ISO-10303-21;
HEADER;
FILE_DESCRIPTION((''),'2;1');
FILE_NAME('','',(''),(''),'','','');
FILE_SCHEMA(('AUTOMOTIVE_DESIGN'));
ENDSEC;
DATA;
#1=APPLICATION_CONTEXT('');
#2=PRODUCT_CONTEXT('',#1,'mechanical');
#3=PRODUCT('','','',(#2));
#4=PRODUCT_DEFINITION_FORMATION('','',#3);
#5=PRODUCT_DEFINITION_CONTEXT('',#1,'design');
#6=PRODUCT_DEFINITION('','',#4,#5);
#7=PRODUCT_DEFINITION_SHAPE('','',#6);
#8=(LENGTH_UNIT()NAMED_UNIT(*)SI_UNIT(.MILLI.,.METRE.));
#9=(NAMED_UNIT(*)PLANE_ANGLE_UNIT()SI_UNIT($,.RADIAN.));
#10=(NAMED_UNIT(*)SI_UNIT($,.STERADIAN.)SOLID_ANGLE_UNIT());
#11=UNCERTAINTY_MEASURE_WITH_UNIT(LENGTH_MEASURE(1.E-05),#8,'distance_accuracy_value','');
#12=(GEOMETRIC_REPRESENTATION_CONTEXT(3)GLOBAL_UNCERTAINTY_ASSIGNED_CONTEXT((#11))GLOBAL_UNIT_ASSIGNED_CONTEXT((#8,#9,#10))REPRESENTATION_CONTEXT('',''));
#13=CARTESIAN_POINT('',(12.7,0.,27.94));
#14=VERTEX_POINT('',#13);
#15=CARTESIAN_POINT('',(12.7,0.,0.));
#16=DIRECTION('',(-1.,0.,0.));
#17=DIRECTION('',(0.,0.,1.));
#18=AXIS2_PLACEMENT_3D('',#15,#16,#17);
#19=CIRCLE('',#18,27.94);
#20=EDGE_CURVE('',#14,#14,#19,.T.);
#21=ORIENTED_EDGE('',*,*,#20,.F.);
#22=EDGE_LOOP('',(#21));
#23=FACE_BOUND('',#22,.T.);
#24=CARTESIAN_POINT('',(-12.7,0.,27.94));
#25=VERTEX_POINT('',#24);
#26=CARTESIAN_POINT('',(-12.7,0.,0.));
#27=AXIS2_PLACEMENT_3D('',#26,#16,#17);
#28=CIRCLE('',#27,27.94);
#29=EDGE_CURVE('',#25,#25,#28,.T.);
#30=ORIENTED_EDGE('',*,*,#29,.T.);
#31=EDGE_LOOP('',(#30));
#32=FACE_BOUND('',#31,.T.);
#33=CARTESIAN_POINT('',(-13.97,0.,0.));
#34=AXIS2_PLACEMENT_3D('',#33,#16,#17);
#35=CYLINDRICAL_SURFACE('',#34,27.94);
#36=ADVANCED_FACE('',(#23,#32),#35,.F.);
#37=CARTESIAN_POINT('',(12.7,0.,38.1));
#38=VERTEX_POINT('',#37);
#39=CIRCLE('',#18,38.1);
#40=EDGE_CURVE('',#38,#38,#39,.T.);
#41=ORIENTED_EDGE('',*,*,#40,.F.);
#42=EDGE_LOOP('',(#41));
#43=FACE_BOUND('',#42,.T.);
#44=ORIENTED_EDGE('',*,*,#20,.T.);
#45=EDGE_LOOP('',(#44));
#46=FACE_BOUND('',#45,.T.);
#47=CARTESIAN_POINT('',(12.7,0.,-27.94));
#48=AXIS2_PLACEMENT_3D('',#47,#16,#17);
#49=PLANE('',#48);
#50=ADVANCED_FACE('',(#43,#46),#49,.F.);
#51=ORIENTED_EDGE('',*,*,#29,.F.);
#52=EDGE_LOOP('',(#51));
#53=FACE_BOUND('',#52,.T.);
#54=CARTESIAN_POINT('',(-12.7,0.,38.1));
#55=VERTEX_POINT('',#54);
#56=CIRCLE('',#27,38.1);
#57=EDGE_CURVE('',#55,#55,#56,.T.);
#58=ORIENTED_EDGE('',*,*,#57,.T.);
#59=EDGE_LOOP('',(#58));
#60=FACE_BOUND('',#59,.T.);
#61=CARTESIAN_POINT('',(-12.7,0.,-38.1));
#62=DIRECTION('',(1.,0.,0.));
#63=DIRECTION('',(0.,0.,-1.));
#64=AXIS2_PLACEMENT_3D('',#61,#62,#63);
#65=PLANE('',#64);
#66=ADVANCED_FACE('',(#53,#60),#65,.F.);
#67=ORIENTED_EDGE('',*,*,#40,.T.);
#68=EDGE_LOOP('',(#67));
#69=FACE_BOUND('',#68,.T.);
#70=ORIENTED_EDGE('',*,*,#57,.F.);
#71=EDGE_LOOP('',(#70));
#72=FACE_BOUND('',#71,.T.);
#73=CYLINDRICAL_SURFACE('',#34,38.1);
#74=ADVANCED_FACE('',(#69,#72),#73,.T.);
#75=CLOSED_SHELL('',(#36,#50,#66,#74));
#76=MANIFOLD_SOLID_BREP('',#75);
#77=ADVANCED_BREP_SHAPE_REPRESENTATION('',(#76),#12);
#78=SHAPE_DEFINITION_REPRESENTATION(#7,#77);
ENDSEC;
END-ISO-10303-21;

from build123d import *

# Parameters (mm, degrees)
SKETCH2_W = 25.4
SKETCH2_H = 10.16


with BuildPart() as part:
    # Sketch2 → Revolve1 (revolve)
    with BuildSketch(Plane(origin=(0, 0, 0), x_dir=(1, 0, 0), z_dir=(0, 1, 0))):
        with Locations((0, 33.02)):
            Rectangle(SKETCH2_W, SKETCH2_H)
    revolve(axis=Axis((-13.97, 0, 0), (1, 0, 0)))


solid = part.part
